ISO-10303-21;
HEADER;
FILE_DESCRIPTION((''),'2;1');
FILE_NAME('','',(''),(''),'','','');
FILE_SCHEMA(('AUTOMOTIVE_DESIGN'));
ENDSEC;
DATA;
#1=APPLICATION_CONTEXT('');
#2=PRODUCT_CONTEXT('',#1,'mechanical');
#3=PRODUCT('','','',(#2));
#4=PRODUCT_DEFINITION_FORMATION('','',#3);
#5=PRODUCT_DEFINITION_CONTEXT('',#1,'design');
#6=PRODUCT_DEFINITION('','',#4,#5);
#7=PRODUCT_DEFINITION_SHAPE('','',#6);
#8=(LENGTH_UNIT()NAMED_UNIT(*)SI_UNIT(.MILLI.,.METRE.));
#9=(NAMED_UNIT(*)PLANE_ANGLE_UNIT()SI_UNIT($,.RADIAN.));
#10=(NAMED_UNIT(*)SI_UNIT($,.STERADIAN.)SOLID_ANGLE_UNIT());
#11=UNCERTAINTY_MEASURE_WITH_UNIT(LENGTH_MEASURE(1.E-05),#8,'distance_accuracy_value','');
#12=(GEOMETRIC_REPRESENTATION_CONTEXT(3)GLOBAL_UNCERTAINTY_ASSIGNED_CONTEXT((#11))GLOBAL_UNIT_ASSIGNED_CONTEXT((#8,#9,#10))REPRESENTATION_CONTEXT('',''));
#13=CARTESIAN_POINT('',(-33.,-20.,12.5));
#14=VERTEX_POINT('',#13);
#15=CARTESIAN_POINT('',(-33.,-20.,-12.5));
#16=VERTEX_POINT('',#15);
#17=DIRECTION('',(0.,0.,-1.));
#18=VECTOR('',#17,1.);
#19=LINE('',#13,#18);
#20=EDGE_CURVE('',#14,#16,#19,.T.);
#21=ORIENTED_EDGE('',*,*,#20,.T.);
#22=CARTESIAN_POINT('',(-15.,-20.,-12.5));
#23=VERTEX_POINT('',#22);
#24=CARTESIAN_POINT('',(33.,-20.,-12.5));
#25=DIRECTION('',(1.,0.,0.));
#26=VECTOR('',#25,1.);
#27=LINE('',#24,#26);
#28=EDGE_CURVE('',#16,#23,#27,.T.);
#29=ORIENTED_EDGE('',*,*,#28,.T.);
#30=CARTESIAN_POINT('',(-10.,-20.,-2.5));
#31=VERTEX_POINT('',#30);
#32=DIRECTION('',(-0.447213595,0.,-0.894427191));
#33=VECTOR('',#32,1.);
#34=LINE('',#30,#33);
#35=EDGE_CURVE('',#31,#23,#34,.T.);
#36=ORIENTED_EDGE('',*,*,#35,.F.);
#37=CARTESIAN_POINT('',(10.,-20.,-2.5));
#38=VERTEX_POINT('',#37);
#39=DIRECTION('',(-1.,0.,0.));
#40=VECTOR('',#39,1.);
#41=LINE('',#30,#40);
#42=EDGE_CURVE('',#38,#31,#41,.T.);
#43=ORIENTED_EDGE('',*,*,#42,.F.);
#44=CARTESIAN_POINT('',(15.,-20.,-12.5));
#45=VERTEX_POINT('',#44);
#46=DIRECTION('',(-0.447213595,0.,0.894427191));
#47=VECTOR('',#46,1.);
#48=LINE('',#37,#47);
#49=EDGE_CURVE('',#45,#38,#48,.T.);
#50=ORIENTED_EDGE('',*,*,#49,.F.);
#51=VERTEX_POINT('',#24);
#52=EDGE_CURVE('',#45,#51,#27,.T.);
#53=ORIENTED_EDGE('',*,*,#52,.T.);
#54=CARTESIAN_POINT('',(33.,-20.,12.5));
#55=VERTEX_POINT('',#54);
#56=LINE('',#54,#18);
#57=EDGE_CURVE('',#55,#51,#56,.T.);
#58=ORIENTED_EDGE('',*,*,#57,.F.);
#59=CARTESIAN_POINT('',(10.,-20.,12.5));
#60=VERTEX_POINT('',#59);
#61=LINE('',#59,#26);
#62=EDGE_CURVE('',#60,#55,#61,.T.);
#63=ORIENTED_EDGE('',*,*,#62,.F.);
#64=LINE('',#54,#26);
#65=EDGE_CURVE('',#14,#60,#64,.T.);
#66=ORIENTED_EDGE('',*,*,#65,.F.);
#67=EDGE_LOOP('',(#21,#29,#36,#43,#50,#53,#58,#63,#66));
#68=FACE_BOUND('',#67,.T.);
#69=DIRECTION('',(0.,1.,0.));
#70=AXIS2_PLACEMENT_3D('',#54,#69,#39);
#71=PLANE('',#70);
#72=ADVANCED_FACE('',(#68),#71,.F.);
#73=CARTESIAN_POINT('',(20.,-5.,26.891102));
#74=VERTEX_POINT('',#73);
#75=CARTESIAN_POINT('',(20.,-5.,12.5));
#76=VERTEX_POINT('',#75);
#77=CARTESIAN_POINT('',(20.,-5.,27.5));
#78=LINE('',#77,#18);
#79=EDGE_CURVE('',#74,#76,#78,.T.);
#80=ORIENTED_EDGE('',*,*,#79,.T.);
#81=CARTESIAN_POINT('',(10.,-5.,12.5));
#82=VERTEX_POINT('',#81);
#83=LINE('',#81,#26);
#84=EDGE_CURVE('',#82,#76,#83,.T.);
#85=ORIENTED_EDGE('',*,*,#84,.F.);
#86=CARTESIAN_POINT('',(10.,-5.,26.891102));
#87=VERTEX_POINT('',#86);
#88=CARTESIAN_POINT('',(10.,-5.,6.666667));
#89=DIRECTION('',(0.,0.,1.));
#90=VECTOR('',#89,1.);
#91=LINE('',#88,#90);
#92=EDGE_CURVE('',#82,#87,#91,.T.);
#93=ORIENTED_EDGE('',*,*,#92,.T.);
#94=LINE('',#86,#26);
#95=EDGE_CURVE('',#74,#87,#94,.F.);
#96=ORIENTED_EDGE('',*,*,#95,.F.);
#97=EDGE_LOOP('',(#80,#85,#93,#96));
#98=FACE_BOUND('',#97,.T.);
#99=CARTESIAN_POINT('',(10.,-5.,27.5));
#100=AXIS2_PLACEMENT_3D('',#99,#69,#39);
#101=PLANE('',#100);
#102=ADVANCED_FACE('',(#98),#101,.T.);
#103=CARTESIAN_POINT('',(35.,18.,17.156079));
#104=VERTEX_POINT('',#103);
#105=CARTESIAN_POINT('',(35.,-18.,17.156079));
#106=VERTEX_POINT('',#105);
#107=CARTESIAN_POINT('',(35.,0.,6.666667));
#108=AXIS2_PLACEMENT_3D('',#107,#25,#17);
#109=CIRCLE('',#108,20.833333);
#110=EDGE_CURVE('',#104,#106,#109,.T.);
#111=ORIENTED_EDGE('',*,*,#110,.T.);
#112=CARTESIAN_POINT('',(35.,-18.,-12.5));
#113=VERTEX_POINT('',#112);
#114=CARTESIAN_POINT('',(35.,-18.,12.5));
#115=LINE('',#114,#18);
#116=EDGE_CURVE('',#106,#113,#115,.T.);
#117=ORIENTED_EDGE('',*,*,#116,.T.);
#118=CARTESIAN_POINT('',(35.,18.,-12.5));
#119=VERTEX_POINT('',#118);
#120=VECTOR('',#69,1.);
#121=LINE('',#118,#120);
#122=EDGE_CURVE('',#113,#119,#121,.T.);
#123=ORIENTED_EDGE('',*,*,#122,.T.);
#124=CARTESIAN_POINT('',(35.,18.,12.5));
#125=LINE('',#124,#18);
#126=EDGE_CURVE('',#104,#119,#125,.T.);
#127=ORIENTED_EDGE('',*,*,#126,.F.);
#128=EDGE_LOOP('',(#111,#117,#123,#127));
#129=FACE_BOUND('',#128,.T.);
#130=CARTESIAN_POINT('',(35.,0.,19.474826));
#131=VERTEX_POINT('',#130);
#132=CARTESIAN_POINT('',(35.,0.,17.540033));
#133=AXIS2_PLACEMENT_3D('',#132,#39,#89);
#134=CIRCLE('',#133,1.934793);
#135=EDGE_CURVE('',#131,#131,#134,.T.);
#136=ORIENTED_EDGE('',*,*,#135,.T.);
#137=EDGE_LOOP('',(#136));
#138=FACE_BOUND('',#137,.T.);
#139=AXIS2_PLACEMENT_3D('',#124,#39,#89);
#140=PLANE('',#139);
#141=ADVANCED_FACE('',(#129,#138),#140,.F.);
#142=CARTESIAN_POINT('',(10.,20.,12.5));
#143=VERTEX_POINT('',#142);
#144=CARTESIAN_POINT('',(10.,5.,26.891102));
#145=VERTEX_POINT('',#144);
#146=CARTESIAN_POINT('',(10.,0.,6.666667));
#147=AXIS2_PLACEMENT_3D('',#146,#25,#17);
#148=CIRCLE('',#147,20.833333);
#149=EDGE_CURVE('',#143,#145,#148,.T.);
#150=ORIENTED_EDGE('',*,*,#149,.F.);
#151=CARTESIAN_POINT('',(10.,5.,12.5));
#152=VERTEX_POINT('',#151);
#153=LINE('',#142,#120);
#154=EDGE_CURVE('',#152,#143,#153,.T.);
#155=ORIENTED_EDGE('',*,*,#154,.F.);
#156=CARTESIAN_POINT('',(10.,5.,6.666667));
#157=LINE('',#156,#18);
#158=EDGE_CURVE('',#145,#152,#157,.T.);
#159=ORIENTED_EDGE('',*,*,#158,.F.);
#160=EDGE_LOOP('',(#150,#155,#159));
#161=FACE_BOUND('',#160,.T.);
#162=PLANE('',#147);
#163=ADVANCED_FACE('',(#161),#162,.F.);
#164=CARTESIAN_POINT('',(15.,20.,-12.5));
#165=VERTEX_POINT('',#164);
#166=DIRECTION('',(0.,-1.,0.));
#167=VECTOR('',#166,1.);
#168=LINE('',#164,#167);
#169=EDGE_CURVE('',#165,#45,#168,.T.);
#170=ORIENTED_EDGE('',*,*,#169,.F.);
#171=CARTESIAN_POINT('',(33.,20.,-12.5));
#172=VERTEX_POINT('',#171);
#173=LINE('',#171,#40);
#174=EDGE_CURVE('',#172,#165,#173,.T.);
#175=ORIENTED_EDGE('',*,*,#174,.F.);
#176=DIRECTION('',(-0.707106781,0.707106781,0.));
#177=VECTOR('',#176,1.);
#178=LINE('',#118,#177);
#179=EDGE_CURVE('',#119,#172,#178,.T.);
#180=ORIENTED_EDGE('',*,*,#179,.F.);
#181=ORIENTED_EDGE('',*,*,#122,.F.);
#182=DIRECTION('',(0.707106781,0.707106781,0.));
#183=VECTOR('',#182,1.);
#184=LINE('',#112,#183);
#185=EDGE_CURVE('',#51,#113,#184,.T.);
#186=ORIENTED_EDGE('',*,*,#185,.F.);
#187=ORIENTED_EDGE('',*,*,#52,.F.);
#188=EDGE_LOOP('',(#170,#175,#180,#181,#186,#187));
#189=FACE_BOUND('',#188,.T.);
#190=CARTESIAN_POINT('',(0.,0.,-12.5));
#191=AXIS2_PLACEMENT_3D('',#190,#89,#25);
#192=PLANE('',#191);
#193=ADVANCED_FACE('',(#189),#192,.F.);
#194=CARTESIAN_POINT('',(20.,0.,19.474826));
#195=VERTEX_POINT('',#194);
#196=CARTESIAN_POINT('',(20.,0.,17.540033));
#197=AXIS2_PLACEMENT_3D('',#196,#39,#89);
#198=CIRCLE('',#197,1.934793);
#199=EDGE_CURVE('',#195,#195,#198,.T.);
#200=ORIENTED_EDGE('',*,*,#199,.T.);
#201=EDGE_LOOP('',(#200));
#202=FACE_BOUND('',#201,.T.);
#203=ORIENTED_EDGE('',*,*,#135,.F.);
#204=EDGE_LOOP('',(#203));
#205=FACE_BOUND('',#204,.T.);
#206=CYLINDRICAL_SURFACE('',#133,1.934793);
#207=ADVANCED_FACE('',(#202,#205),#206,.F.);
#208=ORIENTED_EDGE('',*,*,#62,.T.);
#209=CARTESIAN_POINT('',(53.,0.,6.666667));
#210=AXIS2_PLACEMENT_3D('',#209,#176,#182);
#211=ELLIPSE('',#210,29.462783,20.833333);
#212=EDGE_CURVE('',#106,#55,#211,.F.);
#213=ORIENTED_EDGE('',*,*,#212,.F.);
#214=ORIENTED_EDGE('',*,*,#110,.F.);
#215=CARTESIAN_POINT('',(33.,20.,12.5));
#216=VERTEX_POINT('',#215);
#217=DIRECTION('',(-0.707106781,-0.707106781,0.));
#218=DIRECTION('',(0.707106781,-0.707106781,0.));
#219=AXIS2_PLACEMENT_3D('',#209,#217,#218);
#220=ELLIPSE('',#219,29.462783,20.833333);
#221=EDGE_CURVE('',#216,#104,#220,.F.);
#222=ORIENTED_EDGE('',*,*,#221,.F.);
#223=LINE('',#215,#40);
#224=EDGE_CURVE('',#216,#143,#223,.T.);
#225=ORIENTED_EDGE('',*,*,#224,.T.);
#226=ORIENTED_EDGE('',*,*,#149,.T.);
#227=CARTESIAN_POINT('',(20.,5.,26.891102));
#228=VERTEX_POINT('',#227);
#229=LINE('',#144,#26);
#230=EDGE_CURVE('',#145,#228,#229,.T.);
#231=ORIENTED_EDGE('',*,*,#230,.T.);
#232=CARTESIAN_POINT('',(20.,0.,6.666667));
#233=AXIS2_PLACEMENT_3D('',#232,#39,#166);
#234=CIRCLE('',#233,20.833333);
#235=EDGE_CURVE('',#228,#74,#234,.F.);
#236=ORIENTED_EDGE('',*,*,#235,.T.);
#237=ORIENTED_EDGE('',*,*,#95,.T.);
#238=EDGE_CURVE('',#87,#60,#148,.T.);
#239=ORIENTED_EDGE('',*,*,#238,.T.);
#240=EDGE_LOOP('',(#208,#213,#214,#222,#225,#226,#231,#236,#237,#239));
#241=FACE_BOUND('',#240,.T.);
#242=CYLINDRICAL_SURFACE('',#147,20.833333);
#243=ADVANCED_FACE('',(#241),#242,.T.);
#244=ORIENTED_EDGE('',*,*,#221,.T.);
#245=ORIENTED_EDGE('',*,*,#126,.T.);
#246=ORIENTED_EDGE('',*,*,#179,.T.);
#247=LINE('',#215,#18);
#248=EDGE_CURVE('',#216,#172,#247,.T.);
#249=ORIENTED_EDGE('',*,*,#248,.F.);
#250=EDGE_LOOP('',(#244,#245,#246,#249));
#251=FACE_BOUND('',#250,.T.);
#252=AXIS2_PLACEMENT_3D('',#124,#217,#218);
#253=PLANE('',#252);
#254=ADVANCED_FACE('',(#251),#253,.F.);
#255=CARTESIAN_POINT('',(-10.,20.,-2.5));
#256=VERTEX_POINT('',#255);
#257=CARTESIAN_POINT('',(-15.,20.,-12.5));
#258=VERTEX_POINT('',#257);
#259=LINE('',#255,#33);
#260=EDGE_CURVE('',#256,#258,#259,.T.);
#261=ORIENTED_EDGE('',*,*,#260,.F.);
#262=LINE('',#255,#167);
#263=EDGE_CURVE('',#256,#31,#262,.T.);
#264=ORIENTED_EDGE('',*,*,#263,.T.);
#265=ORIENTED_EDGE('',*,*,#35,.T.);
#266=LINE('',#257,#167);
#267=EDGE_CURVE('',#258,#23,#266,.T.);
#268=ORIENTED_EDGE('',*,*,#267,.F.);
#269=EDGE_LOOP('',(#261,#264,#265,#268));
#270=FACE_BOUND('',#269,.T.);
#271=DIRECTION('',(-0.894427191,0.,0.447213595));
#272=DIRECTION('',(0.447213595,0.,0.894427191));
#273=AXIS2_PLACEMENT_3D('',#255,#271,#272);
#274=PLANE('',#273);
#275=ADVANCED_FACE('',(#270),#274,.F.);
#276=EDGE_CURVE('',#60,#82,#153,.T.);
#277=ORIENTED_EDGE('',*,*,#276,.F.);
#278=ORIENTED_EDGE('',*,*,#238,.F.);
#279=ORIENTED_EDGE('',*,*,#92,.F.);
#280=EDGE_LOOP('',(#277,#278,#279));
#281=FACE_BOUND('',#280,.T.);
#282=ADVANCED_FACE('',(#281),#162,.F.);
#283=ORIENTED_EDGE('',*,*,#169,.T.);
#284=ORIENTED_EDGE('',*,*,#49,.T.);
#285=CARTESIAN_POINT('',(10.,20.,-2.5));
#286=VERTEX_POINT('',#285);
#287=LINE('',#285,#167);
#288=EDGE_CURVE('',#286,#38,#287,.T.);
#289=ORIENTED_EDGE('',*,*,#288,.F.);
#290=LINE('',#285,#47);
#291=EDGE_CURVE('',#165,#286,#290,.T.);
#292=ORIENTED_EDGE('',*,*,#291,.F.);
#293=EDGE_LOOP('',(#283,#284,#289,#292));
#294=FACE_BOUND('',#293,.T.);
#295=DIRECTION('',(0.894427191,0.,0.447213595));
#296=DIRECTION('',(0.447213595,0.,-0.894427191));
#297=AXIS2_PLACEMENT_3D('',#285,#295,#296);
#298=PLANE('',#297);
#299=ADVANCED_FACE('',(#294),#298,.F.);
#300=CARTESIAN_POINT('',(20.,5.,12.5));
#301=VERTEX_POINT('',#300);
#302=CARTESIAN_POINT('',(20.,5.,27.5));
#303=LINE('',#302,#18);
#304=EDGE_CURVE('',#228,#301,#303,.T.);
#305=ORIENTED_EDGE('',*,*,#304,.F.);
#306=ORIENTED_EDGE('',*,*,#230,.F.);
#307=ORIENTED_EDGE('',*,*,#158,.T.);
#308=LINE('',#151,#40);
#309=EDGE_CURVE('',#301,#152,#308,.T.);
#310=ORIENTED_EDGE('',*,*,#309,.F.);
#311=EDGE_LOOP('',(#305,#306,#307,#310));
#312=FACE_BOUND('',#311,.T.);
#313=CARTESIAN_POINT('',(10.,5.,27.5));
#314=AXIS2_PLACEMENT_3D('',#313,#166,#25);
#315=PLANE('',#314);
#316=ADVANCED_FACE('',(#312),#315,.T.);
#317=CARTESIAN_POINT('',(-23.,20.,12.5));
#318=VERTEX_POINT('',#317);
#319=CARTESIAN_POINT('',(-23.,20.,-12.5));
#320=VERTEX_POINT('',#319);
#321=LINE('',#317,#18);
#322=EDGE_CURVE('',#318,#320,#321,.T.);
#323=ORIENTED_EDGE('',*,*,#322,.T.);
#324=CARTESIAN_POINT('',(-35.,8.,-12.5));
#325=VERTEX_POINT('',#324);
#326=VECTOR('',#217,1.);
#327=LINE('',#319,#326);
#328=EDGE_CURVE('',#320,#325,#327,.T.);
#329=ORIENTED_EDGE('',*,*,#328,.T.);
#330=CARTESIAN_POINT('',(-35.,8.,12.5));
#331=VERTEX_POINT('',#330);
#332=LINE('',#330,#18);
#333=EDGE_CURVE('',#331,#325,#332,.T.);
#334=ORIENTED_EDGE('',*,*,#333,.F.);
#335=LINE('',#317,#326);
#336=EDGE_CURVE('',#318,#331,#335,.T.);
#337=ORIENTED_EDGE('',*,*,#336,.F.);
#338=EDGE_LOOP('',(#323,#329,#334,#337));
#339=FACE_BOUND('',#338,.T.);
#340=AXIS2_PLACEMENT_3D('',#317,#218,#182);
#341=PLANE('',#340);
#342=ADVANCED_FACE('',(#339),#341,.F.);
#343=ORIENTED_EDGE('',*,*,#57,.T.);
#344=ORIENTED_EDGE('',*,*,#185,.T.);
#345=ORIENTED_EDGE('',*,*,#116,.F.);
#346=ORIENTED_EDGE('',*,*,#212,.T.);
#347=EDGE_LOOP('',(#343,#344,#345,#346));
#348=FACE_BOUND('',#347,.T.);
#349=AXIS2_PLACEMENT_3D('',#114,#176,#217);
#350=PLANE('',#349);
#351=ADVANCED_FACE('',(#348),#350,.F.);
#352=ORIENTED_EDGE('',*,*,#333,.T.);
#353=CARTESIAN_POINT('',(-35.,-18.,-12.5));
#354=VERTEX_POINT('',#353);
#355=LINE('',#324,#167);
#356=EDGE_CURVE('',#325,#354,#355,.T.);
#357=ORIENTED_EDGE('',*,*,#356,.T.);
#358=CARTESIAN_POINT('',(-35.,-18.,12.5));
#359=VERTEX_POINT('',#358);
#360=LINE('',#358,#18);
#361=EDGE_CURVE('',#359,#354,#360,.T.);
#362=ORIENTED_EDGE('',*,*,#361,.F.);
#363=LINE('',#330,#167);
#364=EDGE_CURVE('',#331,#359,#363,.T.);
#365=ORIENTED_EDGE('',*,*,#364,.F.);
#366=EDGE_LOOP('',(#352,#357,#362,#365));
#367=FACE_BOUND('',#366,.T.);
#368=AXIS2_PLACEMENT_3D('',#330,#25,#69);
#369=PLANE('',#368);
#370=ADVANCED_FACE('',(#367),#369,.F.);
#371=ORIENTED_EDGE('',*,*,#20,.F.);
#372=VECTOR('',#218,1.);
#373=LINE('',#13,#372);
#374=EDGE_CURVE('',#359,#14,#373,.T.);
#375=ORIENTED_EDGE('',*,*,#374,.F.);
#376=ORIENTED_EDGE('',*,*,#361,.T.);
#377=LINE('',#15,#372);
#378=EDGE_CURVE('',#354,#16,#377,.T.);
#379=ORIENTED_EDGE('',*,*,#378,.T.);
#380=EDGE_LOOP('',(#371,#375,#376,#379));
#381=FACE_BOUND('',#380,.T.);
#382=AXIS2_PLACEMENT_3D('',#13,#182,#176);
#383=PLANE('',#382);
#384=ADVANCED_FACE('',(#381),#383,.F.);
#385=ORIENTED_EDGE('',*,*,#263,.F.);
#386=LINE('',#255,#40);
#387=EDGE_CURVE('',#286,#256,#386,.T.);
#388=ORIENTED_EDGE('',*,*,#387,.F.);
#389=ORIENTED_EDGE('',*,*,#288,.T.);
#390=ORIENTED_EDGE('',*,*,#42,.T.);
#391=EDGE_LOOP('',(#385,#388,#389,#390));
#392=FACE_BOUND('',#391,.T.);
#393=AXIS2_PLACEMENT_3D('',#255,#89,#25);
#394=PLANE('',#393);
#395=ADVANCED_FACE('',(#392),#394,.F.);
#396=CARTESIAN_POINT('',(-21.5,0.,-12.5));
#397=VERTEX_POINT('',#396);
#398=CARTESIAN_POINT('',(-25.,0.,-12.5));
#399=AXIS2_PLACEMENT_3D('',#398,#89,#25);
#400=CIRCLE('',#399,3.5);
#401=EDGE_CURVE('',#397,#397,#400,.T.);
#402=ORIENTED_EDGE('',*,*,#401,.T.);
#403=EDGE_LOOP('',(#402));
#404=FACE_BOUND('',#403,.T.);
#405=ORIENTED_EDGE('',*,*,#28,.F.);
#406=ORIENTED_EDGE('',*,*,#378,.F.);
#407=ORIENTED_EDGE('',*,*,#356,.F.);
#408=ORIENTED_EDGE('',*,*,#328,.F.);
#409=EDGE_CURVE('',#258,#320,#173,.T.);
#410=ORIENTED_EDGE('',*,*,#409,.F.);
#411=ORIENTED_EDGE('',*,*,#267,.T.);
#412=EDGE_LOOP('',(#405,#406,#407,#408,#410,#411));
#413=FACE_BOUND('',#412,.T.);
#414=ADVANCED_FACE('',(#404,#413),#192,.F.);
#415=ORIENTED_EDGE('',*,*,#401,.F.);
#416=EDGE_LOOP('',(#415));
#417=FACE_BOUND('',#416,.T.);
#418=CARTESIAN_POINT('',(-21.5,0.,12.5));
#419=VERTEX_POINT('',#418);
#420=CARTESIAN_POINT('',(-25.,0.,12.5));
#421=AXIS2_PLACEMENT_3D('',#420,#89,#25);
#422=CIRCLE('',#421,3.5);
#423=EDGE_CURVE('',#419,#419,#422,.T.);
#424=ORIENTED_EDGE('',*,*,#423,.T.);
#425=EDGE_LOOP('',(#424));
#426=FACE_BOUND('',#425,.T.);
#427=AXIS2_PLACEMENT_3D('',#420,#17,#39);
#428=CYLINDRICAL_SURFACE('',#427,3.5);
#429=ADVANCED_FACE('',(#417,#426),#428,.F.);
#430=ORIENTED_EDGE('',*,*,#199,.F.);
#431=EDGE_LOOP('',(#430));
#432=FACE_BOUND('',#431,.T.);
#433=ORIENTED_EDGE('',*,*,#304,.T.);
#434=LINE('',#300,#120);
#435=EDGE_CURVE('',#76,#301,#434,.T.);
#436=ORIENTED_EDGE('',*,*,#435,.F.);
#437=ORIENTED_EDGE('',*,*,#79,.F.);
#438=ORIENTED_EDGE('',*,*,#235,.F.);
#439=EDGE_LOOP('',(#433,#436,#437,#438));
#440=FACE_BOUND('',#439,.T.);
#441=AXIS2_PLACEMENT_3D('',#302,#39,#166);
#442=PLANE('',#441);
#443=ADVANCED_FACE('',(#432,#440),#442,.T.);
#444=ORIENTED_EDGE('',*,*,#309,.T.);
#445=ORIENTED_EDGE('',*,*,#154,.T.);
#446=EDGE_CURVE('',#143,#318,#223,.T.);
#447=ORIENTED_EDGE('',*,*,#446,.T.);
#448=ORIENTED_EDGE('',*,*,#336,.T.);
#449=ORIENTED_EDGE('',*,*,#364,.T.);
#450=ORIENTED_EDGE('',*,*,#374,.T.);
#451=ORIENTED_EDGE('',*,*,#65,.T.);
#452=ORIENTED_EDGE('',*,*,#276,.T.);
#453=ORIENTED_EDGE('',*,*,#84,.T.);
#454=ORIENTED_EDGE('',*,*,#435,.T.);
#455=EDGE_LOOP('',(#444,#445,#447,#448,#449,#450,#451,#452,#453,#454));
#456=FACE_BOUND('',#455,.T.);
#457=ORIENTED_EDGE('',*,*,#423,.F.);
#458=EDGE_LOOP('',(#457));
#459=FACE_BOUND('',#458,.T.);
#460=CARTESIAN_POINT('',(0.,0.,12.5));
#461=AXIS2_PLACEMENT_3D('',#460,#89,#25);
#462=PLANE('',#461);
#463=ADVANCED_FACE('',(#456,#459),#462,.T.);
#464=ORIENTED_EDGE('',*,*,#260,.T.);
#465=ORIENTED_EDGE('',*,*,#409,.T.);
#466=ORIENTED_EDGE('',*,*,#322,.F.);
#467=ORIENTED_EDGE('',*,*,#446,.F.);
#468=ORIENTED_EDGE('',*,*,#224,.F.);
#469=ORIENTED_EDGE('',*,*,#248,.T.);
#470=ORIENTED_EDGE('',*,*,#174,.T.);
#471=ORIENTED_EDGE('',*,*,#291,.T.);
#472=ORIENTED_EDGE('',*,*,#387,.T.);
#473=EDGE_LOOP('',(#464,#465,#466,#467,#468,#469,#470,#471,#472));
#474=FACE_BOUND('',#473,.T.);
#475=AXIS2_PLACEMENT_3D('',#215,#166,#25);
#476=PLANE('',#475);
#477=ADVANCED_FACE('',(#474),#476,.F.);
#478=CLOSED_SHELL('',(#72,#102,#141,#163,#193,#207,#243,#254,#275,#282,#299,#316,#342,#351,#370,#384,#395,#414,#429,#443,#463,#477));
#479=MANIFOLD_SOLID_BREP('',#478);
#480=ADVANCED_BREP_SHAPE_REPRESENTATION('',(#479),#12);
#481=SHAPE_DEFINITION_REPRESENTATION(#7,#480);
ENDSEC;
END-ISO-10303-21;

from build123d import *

# Parameters (mm, degrees)
SKETCH1_R           = 3.5
BOSS_EXTRUDE1_DEPTH = 12.5
CUT_EXTRUDE1_DEPTH  = 55.60082417
BOSS_EXTRUDE3_DEPTH = 25
CUT_EXTRUDE2_DEPTH  = 57.789083458
SKETCH8_W           = 10
SKETCH8_H           = 10
CUT_EXTRUDE3_DEPTH  = 48.434164903
SKETCH9_R           = 1.934793031
CUT_EXTRUDE4_DEPTH  = 65.662585782


with BuildPart() as part:
    # Sketch1 → Boss-Extrude1 (new, symmetric)
    with BuildSketch(Plane.XY):
        Polygon((-23, 20), (-35, 8), (-35, -18), (-33, -20), (33, -20), (35, -18), (35, 18), (33, 20), align=None)
        with Locations((-25, 0)):
            Circle(SKETCH1_R, mode=Mode.SUBTRACT)
    extrude(amount=BOSS_EXTRUDE1_DEPTH, both=True)

    # Sketch2 → Cut-Extrude1 (cut, through all)
    with BuildSketch(Plane.XZ.offset(20)):
        Polygon((-10, -2.5), (10, -2.5), (15, -12.5), (-15, -12.5), align=None)
    extrude(amount=-CUT_EXTRUDE1_DEPTH, mode=Mode.SUBTRACT)

    # Sketch5 → Boss-Extrude3 (add)
    with BuildSketch(Plane(origin=(35, 0, 0), x_dir=(0, 0, -1), z_dir=(1, 0, 0))):
        with BuildLine():
            Line((-12.5, 20), (-12.5, -20))
            ThreePointArc((-12.5, -20), (-27.5, 0), (-12.5, 20))
        make_face()
    extrude(amount=-BOSS_EXTRUDE3_DEPTH)

    # Sketch6 → Cut-Extrude2 (cut, through all)
    with BuildSketch(Plane(origin=(0, 0, -12.5), x_dir=(-1, 0, 0), z_dir=(0, 0, -1))):
        Polygon((-35, 20), (-35, 18), (-33, 20), align=None)
        Polygon((-35, -20), (-33, -20), (-35, -18), align=None)
    extrude(amount=-CUT_EXTRUDE2_DEPTH, mode=Mode.SUBTRACT)

    # Sketch8 → Cut-Extrude3 (cut, through all)
    with BuildSketch(Plane.XY.offset(12.5)):
        with Locations((15, 0)):
            Rectangle(SKETCH8_W, SKETCH8_H)
    extrude(amount=CUT_EXTRUDE3_DEPTH, mode=Mode.SUBTRACT)

    # Sketch9 → Cut-Extrude4 (cut, through all)
    with BuildSketch(Plane.ZY.offset(-20)):
        with Locations((17.540032759, 0)):
            Circle(SKETCH9_R)
    extrude(amount=-CUT_EXTRUDE4_DEPTH, mode=Mode.SUBTRACT)


solid = part.part
